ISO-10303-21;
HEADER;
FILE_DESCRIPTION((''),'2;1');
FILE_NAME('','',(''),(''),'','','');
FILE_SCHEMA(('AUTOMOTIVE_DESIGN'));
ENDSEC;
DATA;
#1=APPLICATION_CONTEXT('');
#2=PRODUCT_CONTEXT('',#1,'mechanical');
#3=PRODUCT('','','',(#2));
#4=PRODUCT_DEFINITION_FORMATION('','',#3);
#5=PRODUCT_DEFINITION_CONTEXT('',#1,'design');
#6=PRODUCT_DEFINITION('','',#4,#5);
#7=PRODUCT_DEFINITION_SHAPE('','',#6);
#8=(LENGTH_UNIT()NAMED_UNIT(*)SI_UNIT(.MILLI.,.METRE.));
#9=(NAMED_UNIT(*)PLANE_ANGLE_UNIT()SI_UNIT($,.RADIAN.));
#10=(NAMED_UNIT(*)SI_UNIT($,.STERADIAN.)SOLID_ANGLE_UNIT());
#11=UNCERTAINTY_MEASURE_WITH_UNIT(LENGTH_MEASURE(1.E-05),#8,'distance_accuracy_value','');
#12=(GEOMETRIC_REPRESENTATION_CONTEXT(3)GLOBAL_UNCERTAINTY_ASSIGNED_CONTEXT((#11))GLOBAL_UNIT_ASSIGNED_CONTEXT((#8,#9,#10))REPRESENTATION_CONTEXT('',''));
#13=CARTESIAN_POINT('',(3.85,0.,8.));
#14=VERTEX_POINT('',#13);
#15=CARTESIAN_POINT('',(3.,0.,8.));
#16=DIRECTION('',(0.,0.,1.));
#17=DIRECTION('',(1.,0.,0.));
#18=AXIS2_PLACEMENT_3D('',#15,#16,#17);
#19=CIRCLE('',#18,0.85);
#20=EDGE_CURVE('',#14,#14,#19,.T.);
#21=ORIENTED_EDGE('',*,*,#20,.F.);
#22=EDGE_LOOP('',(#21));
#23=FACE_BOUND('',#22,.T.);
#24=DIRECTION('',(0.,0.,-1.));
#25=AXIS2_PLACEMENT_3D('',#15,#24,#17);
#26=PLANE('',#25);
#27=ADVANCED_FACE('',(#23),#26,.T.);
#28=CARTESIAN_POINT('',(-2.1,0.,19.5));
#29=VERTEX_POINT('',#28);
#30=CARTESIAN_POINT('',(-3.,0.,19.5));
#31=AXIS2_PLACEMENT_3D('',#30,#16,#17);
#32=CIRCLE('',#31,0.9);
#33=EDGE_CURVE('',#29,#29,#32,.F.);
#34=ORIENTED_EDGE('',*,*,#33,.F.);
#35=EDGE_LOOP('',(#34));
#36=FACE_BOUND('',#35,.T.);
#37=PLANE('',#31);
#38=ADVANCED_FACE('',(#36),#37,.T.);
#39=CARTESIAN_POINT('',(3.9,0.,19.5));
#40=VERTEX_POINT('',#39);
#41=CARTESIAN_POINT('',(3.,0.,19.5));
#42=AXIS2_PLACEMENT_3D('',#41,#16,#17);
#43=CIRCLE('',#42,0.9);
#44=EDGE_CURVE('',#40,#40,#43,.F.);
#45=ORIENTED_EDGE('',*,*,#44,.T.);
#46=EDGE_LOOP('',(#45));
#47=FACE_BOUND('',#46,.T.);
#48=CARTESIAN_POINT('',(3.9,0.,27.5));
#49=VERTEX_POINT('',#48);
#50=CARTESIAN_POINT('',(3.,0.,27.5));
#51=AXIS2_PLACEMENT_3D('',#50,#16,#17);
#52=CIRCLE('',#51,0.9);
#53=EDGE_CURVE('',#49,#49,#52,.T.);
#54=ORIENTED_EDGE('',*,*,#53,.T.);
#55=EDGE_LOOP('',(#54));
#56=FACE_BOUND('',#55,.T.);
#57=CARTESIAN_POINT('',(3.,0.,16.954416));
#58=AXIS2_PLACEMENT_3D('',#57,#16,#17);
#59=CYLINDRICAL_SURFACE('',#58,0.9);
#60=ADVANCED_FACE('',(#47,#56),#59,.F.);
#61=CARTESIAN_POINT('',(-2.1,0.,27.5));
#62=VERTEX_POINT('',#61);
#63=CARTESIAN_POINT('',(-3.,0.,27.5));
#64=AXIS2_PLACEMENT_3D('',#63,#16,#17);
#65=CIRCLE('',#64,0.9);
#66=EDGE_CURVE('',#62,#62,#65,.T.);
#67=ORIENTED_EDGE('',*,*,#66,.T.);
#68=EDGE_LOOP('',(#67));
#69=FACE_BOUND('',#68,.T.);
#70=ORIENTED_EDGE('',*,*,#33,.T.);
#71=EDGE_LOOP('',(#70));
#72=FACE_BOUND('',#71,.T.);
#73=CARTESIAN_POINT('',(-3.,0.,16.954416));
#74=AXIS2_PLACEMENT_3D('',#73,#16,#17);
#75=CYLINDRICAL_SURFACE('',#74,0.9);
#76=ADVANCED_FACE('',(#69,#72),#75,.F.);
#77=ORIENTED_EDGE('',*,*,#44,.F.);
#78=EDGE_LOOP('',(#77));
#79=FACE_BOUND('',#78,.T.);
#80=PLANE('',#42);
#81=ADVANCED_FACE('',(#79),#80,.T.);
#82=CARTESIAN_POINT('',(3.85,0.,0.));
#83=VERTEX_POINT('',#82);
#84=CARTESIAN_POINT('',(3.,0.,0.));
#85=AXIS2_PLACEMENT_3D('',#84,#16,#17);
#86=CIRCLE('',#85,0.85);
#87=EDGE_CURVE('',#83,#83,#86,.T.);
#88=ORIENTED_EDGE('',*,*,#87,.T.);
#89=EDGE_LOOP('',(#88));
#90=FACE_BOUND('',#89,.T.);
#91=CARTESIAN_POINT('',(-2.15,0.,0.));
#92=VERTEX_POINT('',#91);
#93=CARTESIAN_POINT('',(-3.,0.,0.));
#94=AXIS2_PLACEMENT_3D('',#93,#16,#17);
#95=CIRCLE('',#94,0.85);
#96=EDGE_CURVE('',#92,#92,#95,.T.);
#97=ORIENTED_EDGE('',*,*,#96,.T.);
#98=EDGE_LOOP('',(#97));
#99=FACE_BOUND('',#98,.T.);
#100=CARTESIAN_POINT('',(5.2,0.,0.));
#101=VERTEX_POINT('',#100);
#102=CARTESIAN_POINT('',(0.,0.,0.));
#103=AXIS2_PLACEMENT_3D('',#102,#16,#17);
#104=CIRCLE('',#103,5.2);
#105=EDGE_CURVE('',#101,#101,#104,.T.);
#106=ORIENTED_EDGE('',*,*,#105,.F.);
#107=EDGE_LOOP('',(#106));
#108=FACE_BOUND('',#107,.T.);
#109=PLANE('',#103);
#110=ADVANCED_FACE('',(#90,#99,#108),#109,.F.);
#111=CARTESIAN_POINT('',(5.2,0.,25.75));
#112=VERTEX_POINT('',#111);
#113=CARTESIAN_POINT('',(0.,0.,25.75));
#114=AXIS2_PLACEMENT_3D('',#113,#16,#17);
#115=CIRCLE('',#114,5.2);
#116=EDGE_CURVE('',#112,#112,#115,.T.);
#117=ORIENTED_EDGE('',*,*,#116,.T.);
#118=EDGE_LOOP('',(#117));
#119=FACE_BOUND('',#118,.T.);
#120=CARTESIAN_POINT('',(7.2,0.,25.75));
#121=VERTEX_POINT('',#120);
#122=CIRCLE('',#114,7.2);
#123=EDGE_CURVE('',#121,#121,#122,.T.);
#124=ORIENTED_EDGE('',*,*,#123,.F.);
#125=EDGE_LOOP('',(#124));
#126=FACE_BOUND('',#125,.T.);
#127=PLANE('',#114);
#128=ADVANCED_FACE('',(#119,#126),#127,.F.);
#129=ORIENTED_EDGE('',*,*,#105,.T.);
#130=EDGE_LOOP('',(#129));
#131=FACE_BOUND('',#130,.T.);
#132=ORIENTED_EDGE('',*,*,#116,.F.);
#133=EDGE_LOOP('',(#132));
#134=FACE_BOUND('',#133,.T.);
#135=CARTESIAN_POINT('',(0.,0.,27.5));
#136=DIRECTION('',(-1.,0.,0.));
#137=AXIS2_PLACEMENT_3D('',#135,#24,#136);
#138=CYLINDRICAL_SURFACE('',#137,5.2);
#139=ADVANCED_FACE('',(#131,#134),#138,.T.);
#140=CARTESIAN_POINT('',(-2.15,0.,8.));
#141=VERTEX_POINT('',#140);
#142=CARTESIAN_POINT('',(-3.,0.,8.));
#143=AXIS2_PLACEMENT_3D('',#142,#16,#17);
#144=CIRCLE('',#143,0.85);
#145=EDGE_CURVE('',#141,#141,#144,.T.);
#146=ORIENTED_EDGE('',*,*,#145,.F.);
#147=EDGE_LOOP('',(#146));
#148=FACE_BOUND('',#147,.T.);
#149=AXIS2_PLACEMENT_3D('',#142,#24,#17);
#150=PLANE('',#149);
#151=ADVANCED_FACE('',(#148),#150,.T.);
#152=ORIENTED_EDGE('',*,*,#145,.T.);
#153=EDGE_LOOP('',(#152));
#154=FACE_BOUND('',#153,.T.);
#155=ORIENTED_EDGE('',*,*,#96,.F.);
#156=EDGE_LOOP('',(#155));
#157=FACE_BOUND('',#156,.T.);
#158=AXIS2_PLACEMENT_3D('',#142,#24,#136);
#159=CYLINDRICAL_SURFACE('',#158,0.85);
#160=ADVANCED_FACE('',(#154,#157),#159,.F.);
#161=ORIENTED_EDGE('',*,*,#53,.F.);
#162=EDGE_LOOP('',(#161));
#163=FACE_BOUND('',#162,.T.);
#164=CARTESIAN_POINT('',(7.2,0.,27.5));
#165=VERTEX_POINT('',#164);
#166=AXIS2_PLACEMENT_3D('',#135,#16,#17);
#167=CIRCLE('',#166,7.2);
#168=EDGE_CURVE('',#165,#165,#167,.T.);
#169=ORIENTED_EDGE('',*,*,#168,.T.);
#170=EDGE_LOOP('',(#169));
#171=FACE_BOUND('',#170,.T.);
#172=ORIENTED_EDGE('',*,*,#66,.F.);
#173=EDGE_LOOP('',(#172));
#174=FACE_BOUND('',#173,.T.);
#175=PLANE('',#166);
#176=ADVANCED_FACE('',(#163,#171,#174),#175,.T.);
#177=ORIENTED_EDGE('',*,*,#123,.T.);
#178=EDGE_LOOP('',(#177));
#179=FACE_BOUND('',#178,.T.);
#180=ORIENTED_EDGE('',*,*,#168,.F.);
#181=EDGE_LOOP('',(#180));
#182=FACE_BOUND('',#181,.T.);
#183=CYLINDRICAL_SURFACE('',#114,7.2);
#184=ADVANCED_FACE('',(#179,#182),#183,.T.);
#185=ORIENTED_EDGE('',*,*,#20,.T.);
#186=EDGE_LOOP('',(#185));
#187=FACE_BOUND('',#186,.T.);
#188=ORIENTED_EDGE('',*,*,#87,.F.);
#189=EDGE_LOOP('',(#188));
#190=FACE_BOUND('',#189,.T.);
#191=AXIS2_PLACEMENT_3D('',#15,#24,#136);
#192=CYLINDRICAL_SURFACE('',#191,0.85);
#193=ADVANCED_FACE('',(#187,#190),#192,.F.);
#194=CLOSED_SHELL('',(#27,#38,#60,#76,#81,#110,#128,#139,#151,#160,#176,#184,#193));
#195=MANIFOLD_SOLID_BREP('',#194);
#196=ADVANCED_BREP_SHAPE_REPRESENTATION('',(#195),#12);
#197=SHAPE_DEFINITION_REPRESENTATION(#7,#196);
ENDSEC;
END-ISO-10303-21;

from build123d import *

# Parameters (mm, degrees)
SKETCH_1_R          = 5.2
EXTRUDE_1_DEPTH     = 27.5
SKETCH_6_R          = 7.2
EXTRUDE_3_DEPTH     = 1.75
SKETCH_3_R          = 0.85
CUT_EXTRUDE_4_DEPTH = 8
SKETCH_7_R          = 0.9
CUT_EXTRUDE_5_DEPTH = 8


with BuildPart() as part:
    # 草图1 → 凸台-拉伸1 (new body)
    with BuildSketch(Plane.XY):
        Circle(SKETCH_1_R)
    extrude(amount=EXTRUDE_1_DEPTH)

    # 草图6 → 凸台-拉伸3 (add)
    with BuildSketch(Plane.XY.offset(27.5)):
        Circle(SKETCH_6_R)
    extrude(amount=-EXTRUDE_3_DEPTH)

    # 草图3 → 切除-拉伸4 (cut)
    with BuildSketch(Plane.XY.offset(27.5)):
        with Locations((-3, 0)):
            Circle(SKETCH_3_R)
        with Locations((3, 0)):
            Circle(SKETCH_3_R)
    cut_extrude_4 = extrude(amount=-CUT_EXTRUDE_4_DEPTH, mode=Mode.SUBTRACT)

    # 镜向3: 切除-拉伸4 across plane
    add(cut_extrude_4.mirror(Plane.XY.offset(13.75)), mode=Mode.SUBTRACT)

    # 草图7 → 切除-拉伸5 (cut)
    with BuildSketch(Plane.XY.offset(27.5)):
        with Locations((-3, 0)):
            Circle(SKETCH_7_R)
        with Locations((3, 0)):
            Circle(SKETCH_7_R)
    extrude(amount=-CUT_EXTRUDE_5_DEPTH, mode=Mode.SUBTRACT)


solid = part.part
